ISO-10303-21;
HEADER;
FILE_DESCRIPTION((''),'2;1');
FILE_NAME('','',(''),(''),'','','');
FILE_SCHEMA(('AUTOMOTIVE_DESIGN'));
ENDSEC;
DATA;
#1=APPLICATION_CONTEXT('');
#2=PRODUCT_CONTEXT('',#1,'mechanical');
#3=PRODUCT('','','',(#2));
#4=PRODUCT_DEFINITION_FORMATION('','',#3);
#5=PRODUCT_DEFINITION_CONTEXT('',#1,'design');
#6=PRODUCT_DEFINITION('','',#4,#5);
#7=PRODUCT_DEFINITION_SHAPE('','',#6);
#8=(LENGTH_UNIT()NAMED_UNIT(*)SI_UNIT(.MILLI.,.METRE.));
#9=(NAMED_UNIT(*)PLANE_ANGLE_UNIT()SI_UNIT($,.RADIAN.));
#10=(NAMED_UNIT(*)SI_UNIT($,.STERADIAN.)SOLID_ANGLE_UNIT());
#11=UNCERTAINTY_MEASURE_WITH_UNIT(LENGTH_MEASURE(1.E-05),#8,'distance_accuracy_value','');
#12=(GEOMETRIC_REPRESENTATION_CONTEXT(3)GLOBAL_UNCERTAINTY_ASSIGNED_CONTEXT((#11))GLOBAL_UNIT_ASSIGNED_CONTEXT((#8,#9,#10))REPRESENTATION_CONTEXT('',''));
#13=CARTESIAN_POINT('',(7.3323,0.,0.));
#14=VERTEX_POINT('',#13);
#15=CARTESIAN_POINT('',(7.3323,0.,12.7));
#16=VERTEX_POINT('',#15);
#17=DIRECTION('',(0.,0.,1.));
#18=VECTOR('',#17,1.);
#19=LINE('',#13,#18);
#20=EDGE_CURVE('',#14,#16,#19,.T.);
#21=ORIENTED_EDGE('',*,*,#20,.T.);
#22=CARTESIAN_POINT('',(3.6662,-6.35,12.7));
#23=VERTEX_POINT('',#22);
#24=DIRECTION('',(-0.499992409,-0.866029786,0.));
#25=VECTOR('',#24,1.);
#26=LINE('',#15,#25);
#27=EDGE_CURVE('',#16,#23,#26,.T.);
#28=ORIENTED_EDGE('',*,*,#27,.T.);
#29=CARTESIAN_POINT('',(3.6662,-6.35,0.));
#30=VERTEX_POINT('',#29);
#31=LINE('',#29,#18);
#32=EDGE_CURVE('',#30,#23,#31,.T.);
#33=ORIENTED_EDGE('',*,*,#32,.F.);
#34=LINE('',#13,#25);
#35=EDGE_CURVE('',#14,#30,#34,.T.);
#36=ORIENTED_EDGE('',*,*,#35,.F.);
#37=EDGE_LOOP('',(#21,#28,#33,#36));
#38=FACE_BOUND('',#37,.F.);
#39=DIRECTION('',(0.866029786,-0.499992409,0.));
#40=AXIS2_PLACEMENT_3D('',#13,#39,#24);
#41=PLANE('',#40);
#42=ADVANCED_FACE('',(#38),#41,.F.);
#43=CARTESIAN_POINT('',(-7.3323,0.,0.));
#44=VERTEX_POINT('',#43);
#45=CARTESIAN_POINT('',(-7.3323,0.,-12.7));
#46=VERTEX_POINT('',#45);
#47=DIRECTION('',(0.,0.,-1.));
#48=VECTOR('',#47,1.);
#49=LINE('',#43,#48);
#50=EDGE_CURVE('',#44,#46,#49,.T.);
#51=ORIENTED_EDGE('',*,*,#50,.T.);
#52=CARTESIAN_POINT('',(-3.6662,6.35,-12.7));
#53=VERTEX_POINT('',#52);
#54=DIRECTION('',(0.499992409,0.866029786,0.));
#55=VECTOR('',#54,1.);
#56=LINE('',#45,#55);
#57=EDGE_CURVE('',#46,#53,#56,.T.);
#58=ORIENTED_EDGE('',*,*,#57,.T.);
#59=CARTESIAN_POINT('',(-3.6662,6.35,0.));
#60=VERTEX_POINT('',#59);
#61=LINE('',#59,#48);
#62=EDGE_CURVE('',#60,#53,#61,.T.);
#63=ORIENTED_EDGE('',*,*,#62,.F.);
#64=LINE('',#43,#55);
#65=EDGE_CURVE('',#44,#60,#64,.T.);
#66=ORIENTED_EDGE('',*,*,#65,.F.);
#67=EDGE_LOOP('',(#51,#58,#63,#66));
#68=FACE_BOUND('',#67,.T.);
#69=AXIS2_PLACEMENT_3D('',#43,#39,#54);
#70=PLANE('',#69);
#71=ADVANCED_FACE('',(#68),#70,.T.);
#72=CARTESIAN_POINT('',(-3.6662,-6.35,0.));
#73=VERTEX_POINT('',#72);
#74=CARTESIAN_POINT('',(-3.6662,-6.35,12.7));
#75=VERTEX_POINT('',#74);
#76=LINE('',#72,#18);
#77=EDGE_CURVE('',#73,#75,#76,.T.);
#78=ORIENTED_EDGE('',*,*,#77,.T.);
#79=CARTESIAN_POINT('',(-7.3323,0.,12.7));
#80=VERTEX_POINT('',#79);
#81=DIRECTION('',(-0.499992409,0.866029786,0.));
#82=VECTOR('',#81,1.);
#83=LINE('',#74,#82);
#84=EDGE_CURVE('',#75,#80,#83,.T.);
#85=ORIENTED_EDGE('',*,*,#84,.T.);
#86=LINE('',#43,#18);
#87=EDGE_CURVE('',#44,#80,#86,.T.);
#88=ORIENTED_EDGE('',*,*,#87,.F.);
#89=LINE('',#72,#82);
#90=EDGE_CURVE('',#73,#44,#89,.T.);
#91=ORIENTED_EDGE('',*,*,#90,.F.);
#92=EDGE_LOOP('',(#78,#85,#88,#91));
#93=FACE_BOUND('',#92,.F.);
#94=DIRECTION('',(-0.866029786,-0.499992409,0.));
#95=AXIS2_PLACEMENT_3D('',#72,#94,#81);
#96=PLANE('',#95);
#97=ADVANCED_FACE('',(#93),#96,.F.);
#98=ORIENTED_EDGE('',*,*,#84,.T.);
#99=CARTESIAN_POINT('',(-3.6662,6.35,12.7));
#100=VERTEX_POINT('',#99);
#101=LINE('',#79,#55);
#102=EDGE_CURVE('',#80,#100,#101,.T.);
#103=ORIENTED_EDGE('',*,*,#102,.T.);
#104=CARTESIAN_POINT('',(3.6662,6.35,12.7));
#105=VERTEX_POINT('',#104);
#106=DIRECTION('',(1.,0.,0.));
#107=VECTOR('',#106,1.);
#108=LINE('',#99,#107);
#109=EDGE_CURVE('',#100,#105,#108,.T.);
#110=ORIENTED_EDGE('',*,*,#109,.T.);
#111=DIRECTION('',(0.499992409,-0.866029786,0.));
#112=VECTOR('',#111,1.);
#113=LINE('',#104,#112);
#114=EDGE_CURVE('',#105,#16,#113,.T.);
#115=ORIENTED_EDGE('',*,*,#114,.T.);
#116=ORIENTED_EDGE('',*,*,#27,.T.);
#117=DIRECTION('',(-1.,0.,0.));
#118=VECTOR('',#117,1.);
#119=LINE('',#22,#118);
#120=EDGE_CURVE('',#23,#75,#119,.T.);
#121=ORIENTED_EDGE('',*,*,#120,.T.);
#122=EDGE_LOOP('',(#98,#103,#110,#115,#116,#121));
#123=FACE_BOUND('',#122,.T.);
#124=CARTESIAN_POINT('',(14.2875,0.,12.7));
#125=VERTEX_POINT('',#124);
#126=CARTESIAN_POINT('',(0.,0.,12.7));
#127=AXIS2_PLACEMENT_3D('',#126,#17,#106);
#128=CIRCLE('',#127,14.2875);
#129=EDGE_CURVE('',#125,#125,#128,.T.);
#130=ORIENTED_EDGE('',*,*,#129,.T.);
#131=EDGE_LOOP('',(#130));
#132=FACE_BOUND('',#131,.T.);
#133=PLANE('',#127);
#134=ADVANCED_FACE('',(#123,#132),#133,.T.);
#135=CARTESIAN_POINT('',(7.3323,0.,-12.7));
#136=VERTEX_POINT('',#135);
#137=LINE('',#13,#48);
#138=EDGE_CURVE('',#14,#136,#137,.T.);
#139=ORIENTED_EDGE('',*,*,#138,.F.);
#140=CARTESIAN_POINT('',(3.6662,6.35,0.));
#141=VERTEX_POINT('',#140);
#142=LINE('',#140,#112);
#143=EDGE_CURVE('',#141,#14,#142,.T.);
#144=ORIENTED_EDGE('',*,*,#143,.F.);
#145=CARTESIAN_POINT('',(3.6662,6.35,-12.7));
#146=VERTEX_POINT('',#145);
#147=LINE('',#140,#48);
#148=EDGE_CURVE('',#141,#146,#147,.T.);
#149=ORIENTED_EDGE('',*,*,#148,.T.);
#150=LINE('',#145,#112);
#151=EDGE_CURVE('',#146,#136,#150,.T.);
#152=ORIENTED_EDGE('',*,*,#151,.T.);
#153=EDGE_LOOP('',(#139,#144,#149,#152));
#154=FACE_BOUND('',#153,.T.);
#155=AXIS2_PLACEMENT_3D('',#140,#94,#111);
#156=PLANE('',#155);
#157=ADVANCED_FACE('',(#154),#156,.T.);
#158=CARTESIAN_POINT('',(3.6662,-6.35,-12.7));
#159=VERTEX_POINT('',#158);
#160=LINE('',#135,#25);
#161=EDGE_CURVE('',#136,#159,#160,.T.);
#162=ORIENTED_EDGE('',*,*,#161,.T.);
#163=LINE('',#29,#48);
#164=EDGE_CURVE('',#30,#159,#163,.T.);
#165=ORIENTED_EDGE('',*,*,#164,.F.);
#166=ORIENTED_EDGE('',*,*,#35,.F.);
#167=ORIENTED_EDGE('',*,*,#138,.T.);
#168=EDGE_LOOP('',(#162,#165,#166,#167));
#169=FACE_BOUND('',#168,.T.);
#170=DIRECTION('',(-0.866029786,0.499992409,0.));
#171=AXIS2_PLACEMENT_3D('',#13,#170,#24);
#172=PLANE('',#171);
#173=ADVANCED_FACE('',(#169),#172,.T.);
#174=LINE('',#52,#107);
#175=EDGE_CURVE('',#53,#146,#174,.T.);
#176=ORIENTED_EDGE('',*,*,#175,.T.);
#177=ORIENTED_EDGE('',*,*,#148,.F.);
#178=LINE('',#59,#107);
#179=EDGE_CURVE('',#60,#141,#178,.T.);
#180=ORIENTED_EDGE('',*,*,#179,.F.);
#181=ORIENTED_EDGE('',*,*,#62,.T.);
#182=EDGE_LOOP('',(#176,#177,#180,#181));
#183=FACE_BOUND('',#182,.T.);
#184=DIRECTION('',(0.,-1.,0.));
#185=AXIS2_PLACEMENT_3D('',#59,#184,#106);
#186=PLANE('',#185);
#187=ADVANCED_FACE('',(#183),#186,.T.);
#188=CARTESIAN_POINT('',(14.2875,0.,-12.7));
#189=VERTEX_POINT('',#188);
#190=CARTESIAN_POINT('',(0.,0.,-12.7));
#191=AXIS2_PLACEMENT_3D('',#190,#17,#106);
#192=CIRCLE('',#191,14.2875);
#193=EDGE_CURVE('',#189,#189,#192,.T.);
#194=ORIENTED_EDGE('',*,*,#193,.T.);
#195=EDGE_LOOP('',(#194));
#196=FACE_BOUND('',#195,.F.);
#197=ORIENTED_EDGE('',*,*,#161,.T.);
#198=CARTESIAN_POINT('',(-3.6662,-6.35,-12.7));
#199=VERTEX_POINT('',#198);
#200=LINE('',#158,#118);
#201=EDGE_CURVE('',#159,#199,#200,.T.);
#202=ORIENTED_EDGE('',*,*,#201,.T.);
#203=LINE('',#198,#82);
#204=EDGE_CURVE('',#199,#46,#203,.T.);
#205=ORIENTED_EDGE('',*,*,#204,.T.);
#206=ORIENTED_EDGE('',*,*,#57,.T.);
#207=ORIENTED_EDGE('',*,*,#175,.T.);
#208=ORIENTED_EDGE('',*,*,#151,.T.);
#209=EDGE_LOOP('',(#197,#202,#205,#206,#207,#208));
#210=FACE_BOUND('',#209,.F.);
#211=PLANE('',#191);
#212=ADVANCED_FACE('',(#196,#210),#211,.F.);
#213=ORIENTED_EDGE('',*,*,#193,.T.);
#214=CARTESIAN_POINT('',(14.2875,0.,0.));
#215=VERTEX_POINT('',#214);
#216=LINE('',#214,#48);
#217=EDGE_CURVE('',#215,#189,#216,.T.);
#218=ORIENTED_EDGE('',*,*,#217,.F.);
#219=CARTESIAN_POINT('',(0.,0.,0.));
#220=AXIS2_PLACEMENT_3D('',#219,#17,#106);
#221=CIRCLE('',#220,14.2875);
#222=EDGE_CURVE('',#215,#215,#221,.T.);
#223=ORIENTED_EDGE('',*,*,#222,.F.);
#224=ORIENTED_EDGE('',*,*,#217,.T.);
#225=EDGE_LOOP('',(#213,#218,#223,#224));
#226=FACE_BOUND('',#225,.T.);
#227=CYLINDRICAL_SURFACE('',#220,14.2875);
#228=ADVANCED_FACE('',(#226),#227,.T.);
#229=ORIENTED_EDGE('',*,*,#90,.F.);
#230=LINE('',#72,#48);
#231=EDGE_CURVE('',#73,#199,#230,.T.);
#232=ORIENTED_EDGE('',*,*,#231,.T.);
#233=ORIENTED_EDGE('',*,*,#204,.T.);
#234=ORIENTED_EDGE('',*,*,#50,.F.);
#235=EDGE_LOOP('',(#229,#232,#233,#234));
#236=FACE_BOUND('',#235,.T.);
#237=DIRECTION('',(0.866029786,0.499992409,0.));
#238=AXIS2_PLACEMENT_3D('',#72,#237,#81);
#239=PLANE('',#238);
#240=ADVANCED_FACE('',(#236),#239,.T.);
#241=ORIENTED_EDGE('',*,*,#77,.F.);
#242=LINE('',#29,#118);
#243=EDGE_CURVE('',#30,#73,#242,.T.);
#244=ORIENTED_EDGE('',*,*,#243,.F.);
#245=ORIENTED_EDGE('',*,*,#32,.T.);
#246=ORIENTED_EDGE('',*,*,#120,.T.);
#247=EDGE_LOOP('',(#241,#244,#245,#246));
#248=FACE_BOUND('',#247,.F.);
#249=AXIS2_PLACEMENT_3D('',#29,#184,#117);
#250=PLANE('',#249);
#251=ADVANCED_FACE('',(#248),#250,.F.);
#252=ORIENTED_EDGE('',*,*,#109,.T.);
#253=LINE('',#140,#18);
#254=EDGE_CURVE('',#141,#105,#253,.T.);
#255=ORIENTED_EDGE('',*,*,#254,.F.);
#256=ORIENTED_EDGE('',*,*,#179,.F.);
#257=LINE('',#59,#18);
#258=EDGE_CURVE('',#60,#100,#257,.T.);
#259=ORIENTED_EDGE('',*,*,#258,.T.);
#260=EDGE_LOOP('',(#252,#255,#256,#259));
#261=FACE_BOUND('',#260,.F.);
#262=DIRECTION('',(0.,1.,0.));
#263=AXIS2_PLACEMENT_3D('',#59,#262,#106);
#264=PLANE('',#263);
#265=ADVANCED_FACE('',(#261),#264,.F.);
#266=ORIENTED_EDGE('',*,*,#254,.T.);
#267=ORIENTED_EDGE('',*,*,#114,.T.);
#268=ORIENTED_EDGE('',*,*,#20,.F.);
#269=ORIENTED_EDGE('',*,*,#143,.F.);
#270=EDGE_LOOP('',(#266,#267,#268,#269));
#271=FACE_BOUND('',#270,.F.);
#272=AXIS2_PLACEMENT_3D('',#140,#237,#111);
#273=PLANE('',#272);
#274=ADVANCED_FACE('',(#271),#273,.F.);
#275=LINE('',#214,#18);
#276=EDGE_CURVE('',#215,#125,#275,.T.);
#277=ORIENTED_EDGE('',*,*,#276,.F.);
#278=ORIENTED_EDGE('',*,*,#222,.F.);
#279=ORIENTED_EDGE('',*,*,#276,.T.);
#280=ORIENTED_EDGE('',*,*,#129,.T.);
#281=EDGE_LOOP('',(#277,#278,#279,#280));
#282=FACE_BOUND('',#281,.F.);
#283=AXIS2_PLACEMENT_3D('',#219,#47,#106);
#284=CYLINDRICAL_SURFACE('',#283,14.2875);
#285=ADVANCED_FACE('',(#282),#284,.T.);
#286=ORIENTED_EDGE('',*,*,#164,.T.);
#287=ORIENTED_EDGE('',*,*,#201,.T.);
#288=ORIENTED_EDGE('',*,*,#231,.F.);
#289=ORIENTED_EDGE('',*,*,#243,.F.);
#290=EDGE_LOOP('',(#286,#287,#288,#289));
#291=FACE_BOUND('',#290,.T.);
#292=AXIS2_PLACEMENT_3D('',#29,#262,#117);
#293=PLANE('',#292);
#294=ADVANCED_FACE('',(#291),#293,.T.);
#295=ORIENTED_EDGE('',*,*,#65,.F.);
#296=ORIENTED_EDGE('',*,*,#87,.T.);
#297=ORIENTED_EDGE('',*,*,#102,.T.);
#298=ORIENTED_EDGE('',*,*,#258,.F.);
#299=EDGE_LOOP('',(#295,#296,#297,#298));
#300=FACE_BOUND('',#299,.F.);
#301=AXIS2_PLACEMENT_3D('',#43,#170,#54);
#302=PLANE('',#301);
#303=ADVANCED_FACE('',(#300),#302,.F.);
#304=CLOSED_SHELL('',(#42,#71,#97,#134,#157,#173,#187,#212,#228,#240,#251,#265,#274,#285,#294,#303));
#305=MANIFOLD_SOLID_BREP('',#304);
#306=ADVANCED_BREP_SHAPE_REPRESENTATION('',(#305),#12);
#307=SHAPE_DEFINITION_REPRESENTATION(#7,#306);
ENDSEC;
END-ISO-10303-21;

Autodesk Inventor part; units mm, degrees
ref_plane "YZ Plane" through (0, 0, 0) normal (1, 0, 0) x (0, 1, 0)
ref_plane "XZ Plane" through (0, 0, 0) normal (0, 1, 0) x (-1, 0, 0)
ref_plane "XY Plane" through (0, 0, 0) normal (0, 0, 1) x (1, 0, 0)
sketch "Sketch1" plane through (0, 0, 0) normal (0, 0, 1) x (1, 0, 0)
  circle A0 centre (0, 0) radius 14.2875
  line L0 (3.6662, -6.35) -> (-3.6662, -6.35)
  line L1 (-3.6662, -6.35) -> (-7.3323, 0)
  line L2 (-7.3323, 0) -> (-3.6662, 6.35)
  line L3 (-3.6662, 6.35) -> (3.6662, 6.35)
  line L4 (3.6662, 6.35) -> (7.3323, 0)
  line L5 (7.3323, 0) -> (3.6662, -6.35)
  dimension "d0" = 28.575
  dimension "d1" = 12.7
extrude "Extrusion1" add sketch "Sketch1" along normal mid plane 25.4
properties part number "3in Flex Wheel Insert" material "ABS Plastic"
